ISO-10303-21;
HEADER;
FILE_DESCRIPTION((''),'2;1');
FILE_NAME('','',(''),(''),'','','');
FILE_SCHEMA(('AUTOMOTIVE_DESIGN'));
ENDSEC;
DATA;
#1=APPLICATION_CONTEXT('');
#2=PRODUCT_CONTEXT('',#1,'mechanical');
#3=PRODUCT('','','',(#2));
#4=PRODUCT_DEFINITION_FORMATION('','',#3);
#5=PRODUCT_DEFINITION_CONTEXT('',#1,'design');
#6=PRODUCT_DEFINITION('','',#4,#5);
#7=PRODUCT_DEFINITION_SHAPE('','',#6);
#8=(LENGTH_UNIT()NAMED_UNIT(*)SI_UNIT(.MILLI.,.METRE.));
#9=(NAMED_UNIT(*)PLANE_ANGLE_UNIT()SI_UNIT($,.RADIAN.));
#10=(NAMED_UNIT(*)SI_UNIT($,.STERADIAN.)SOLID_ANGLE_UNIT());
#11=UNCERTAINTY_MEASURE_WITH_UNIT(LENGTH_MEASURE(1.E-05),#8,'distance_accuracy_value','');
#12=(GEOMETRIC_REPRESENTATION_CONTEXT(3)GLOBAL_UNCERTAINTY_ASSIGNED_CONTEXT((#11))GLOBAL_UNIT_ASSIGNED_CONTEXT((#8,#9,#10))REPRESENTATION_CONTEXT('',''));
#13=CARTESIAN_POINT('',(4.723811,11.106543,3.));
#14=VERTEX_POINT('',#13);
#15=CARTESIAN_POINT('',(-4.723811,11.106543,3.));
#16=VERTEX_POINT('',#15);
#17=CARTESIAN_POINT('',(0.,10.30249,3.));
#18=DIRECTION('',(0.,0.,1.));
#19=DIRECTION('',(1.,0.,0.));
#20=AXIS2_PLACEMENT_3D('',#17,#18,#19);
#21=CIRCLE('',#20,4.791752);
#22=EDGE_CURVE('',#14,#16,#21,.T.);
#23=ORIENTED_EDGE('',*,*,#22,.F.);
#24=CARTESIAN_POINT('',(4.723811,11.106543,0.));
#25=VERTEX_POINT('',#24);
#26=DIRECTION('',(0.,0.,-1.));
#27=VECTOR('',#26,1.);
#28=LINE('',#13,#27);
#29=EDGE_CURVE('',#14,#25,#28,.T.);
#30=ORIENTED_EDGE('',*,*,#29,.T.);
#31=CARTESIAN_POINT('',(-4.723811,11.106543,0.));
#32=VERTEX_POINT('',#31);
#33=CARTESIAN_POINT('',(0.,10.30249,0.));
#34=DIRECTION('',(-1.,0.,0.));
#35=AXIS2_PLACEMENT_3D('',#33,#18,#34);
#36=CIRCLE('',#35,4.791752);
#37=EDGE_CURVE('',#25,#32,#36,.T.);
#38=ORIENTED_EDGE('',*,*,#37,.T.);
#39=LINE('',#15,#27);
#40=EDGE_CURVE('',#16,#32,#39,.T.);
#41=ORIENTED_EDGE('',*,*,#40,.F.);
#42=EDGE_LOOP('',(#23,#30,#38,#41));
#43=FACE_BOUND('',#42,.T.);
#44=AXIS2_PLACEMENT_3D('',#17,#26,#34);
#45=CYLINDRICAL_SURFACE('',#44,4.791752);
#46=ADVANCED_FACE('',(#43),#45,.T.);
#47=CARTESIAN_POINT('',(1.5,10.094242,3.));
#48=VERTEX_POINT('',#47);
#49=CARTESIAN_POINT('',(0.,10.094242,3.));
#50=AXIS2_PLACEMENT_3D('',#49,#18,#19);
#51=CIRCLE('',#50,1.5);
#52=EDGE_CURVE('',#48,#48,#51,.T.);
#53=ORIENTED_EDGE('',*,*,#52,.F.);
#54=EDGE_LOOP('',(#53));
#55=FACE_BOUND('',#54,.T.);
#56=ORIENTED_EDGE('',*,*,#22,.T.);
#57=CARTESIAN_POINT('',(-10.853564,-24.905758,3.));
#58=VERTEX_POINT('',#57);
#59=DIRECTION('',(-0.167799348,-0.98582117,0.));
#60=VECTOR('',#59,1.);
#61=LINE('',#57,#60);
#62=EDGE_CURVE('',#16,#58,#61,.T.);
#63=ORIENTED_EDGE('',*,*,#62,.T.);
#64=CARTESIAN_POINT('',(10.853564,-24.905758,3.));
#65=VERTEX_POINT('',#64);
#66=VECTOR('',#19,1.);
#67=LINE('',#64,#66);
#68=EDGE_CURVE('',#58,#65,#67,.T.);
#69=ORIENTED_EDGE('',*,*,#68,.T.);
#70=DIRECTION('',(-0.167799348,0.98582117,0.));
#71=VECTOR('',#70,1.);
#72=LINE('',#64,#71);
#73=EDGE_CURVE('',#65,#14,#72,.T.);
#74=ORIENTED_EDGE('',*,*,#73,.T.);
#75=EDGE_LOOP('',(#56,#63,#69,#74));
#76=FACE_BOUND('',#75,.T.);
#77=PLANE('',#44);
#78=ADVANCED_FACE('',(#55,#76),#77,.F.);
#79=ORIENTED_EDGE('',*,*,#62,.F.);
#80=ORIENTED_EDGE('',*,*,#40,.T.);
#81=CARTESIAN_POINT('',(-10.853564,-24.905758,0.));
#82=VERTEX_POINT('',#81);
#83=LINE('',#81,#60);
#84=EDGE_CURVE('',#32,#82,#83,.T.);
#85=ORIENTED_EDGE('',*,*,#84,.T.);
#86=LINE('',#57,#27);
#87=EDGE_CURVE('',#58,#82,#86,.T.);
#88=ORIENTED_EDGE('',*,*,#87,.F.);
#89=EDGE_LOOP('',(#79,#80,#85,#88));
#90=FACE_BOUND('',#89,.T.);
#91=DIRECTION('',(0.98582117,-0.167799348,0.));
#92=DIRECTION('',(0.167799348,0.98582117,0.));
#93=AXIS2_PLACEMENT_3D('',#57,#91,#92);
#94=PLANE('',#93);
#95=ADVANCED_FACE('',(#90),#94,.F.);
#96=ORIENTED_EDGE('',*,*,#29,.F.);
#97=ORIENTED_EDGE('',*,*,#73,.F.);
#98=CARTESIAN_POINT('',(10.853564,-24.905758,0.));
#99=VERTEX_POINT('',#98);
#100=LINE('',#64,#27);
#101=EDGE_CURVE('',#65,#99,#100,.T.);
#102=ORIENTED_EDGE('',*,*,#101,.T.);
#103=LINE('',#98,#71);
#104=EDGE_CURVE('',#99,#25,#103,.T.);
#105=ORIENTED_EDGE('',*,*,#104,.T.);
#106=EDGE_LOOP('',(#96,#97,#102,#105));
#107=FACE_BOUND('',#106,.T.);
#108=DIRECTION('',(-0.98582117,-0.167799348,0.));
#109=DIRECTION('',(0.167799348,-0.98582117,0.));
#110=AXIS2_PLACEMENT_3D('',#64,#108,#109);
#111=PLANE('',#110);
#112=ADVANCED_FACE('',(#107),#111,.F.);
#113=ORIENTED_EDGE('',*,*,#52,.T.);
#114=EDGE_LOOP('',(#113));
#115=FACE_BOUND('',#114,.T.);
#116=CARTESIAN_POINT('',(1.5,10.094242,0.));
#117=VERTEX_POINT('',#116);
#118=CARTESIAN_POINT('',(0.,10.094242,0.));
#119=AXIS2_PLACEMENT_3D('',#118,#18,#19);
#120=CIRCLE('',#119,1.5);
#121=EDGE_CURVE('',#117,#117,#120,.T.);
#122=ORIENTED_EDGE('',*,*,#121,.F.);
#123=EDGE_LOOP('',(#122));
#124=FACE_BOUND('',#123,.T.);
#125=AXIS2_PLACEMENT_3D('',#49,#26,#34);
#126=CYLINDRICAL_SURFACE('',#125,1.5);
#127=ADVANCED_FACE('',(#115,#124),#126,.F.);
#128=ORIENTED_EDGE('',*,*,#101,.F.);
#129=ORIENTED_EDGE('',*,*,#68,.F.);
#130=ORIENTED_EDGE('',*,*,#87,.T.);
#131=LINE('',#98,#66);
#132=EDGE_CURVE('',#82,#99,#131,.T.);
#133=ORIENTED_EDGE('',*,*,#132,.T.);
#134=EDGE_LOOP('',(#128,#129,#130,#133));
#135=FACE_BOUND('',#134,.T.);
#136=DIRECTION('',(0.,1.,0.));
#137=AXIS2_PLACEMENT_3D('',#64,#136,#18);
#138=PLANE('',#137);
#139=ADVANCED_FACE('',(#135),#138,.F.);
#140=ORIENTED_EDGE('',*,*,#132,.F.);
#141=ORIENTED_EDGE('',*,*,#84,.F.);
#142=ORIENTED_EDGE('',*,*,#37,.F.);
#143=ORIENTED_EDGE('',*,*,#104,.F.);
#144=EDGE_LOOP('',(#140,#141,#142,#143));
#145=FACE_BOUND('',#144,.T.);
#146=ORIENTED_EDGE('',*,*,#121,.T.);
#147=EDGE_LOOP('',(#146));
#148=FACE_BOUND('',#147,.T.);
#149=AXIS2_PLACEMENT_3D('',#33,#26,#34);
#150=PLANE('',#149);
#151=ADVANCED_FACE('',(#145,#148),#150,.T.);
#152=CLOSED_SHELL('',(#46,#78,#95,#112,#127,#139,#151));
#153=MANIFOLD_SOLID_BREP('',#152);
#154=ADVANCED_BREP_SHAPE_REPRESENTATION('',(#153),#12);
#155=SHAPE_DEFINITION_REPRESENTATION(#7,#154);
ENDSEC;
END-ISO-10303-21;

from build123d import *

# Parameters (mm, degrees)
SKETCH1_R           = 1.5
BOSS_EXTRUDE1_DEPTH = 3


with BuildPart() as part:
    # Sketch1 → Boss-Extrude1 (new body)
    with BuildSketch(Plane.XY):
        with BuildLine():
            Line((10.853563951, -24.90575827), (-10.853563951, -24.90575827))
            Line((-10.853563951, -24.90575827), (-4.723810622, 11.106542541))
            ThreePointArc((-4.723810622, 11.106542541), (-3.090959868, 13.964026902), (0, 15.09424173))
            ThreePointArc((0, 15.09424173), (3.090959868, 13.964026902), (4.723810622, 11.106542541))
            Line((4.723810622, 11.106542541), (10.853563951, -24.90575827))
        make_face()
        with Locations((0, 10.09424173)):
            Circle(SKETCH1_R, mode=Mode.SUBTRACT)
    extrude(amount=BOSS_EXTRUDE1_DEPTH)


solid = part.part
